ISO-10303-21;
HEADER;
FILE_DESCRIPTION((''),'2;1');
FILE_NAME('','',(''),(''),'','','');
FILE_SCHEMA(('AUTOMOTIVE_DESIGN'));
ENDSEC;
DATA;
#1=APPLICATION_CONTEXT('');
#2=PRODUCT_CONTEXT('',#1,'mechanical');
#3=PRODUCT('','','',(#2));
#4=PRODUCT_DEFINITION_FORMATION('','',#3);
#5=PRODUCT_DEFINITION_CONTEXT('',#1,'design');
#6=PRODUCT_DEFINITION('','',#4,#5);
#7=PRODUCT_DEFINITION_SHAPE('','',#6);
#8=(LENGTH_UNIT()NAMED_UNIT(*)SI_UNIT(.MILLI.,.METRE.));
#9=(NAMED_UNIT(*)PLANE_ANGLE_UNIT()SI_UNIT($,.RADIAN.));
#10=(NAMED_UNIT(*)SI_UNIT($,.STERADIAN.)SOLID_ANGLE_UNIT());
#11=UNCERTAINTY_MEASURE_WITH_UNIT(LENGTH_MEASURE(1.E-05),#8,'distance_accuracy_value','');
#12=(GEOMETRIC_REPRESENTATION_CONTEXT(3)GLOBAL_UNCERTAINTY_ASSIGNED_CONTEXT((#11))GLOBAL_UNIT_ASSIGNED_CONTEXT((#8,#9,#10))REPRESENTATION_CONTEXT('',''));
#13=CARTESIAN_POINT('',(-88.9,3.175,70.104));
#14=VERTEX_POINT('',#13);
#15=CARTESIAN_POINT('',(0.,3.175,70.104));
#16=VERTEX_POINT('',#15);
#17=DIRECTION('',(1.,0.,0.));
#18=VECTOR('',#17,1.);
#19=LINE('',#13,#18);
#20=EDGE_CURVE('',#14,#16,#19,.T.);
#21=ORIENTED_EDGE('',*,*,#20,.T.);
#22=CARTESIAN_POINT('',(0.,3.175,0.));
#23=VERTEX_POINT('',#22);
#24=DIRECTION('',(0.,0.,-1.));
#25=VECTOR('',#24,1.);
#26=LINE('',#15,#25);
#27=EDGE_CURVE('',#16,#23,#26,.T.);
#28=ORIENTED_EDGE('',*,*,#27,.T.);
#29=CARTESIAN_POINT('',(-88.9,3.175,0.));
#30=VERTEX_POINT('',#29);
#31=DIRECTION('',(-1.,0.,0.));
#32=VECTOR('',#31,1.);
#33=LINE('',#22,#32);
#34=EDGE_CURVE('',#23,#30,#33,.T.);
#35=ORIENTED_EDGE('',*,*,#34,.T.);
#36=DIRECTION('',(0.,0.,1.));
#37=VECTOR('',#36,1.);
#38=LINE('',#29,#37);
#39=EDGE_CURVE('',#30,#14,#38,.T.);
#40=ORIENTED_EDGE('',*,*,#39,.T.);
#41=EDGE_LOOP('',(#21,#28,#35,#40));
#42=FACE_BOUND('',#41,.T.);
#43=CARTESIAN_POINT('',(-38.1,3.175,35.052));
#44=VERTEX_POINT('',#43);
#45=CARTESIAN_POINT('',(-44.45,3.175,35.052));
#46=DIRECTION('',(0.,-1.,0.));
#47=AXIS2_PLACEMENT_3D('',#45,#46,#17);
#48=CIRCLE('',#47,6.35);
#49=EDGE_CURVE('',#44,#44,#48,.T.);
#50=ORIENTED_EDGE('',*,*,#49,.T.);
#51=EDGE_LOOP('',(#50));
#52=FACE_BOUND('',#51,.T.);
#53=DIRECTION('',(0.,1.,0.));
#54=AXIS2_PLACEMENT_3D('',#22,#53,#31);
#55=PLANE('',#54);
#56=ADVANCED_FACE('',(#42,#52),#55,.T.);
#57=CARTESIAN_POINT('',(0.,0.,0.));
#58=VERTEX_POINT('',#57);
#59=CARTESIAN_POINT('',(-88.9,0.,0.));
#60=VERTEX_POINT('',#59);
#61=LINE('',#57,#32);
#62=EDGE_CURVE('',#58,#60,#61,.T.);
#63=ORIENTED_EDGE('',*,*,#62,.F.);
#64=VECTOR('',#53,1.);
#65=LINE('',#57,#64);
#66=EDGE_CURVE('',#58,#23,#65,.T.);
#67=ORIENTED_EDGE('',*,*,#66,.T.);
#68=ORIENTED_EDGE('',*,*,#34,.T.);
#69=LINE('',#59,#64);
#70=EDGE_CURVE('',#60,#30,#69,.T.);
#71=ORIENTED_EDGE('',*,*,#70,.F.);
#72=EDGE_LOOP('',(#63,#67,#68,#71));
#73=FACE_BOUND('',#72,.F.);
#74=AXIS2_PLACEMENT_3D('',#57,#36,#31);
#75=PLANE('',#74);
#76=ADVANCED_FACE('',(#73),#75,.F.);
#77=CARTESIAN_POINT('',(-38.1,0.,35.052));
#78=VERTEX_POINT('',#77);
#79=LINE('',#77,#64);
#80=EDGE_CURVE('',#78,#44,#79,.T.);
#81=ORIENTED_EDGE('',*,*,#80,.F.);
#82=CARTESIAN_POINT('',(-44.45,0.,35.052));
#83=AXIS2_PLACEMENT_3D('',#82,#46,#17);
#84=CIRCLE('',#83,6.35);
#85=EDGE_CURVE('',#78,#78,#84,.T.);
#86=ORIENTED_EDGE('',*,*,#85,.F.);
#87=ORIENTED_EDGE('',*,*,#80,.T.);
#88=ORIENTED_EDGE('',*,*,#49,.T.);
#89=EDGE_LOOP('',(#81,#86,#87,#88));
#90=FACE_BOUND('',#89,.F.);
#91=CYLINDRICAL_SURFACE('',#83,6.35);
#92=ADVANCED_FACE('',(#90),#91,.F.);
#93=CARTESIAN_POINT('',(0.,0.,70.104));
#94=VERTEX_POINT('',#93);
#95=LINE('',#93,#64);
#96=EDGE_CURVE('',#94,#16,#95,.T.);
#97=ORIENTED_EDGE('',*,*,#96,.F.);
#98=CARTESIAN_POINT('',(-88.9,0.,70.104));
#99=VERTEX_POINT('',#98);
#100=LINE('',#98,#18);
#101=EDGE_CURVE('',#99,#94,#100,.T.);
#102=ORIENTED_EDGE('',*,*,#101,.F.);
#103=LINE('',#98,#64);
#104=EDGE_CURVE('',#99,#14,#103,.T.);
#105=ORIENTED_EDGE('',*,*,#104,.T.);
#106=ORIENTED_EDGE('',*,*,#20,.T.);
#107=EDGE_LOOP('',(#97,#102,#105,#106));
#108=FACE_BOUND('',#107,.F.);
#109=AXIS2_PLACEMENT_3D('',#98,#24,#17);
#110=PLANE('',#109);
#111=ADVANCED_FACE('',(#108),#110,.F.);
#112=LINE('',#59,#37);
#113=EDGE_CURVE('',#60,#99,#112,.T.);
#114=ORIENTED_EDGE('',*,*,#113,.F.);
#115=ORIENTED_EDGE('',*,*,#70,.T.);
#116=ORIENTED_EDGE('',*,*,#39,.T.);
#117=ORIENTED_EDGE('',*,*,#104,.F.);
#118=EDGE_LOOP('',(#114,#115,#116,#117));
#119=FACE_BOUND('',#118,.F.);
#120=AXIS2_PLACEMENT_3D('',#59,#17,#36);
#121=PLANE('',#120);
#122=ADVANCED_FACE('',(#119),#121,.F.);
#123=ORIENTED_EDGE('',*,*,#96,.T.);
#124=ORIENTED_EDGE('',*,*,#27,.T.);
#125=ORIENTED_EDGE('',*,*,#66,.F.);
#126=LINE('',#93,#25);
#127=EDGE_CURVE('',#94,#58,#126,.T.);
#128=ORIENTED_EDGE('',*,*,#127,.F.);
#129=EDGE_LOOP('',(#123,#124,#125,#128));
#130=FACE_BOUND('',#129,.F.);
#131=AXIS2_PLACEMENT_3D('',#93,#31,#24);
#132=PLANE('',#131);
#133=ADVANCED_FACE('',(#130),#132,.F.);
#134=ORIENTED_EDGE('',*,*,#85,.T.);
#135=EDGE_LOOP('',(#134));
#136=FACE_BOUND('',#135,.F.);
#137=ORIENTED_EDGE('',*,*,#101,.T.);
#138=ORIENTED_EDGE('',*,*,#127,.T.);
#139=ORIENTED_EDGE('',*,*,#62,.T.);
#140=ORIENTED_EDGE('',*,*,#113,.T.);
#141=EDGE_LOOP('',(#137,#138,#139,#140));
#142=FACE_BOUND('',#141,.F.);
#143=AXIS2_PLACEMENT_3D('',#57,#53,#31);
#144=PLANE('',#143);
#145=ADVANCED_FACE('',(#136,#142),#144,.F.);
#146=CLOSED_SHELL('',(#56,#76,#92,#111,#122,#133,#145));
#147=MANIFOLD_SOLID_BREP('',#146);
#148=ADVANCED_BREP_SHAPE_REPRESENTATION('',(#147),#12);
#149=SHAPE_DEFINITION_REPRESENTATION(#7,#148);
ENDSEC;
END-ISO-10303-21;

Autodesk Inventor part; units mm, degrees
ref_plane "YZ Plane" through (0, 0, 0) normal (1, 0, 0) x (0, 1, 0)
ref_plane "XZ Plane" through (0, 0, 0) normal (0, 1, 0) x (-1, 0, 0)
ref_plane "XY Plane" through (0, 0, 0) normal (0, 0, 1) x (1, 0, 0)
sketch "Sketch1" plane through (0, 0, 0) normal (0, 1, 0) x (-1, 0, 0)
  line L0 (0, 0) -> (88.9, 0)
  line L1 (88.9, 0) -> (88.9, 70.104)
  line L2 (88.9, 70.104) -> (0, 70.104)
  line L3 (0, 70.104) -> (0, 0)
  dimension "d6" = 88.9
  dimension "d7" = 70.104
extrude "Extrusion1" add sketch "Sketch1" along normal blind 3.175
sketch "Sketch2" plane through (0, 0, 0) normal (0, -1, 0) x (1, 0, 0)
  line L0 (0, 0) -> (-88.9, 0) projected
  line L1 (0, 70.104) -> (0, 0) projected
  line L2 (-88.9, 70.104) -> (0, 70.104) projected
  line L3 (-88.9, 0) -> (-88.9, 70.104) projected
  circle A0 centre (-44.45, 35.052) radius 6.35
  dimension "d8" = 12.7
  dimension "d9" = 44.45
  dimension "d10" = 44.45
  dimension "d11" = 35.052
  dimension "d12" = 35.052
extrude "Extrusion2" cut sketch "Sketch2" against normal through all contours A0
equation "\"d9\" = d10"
equation "\"d11\" = d12"
properties part number "zMotorMount"
